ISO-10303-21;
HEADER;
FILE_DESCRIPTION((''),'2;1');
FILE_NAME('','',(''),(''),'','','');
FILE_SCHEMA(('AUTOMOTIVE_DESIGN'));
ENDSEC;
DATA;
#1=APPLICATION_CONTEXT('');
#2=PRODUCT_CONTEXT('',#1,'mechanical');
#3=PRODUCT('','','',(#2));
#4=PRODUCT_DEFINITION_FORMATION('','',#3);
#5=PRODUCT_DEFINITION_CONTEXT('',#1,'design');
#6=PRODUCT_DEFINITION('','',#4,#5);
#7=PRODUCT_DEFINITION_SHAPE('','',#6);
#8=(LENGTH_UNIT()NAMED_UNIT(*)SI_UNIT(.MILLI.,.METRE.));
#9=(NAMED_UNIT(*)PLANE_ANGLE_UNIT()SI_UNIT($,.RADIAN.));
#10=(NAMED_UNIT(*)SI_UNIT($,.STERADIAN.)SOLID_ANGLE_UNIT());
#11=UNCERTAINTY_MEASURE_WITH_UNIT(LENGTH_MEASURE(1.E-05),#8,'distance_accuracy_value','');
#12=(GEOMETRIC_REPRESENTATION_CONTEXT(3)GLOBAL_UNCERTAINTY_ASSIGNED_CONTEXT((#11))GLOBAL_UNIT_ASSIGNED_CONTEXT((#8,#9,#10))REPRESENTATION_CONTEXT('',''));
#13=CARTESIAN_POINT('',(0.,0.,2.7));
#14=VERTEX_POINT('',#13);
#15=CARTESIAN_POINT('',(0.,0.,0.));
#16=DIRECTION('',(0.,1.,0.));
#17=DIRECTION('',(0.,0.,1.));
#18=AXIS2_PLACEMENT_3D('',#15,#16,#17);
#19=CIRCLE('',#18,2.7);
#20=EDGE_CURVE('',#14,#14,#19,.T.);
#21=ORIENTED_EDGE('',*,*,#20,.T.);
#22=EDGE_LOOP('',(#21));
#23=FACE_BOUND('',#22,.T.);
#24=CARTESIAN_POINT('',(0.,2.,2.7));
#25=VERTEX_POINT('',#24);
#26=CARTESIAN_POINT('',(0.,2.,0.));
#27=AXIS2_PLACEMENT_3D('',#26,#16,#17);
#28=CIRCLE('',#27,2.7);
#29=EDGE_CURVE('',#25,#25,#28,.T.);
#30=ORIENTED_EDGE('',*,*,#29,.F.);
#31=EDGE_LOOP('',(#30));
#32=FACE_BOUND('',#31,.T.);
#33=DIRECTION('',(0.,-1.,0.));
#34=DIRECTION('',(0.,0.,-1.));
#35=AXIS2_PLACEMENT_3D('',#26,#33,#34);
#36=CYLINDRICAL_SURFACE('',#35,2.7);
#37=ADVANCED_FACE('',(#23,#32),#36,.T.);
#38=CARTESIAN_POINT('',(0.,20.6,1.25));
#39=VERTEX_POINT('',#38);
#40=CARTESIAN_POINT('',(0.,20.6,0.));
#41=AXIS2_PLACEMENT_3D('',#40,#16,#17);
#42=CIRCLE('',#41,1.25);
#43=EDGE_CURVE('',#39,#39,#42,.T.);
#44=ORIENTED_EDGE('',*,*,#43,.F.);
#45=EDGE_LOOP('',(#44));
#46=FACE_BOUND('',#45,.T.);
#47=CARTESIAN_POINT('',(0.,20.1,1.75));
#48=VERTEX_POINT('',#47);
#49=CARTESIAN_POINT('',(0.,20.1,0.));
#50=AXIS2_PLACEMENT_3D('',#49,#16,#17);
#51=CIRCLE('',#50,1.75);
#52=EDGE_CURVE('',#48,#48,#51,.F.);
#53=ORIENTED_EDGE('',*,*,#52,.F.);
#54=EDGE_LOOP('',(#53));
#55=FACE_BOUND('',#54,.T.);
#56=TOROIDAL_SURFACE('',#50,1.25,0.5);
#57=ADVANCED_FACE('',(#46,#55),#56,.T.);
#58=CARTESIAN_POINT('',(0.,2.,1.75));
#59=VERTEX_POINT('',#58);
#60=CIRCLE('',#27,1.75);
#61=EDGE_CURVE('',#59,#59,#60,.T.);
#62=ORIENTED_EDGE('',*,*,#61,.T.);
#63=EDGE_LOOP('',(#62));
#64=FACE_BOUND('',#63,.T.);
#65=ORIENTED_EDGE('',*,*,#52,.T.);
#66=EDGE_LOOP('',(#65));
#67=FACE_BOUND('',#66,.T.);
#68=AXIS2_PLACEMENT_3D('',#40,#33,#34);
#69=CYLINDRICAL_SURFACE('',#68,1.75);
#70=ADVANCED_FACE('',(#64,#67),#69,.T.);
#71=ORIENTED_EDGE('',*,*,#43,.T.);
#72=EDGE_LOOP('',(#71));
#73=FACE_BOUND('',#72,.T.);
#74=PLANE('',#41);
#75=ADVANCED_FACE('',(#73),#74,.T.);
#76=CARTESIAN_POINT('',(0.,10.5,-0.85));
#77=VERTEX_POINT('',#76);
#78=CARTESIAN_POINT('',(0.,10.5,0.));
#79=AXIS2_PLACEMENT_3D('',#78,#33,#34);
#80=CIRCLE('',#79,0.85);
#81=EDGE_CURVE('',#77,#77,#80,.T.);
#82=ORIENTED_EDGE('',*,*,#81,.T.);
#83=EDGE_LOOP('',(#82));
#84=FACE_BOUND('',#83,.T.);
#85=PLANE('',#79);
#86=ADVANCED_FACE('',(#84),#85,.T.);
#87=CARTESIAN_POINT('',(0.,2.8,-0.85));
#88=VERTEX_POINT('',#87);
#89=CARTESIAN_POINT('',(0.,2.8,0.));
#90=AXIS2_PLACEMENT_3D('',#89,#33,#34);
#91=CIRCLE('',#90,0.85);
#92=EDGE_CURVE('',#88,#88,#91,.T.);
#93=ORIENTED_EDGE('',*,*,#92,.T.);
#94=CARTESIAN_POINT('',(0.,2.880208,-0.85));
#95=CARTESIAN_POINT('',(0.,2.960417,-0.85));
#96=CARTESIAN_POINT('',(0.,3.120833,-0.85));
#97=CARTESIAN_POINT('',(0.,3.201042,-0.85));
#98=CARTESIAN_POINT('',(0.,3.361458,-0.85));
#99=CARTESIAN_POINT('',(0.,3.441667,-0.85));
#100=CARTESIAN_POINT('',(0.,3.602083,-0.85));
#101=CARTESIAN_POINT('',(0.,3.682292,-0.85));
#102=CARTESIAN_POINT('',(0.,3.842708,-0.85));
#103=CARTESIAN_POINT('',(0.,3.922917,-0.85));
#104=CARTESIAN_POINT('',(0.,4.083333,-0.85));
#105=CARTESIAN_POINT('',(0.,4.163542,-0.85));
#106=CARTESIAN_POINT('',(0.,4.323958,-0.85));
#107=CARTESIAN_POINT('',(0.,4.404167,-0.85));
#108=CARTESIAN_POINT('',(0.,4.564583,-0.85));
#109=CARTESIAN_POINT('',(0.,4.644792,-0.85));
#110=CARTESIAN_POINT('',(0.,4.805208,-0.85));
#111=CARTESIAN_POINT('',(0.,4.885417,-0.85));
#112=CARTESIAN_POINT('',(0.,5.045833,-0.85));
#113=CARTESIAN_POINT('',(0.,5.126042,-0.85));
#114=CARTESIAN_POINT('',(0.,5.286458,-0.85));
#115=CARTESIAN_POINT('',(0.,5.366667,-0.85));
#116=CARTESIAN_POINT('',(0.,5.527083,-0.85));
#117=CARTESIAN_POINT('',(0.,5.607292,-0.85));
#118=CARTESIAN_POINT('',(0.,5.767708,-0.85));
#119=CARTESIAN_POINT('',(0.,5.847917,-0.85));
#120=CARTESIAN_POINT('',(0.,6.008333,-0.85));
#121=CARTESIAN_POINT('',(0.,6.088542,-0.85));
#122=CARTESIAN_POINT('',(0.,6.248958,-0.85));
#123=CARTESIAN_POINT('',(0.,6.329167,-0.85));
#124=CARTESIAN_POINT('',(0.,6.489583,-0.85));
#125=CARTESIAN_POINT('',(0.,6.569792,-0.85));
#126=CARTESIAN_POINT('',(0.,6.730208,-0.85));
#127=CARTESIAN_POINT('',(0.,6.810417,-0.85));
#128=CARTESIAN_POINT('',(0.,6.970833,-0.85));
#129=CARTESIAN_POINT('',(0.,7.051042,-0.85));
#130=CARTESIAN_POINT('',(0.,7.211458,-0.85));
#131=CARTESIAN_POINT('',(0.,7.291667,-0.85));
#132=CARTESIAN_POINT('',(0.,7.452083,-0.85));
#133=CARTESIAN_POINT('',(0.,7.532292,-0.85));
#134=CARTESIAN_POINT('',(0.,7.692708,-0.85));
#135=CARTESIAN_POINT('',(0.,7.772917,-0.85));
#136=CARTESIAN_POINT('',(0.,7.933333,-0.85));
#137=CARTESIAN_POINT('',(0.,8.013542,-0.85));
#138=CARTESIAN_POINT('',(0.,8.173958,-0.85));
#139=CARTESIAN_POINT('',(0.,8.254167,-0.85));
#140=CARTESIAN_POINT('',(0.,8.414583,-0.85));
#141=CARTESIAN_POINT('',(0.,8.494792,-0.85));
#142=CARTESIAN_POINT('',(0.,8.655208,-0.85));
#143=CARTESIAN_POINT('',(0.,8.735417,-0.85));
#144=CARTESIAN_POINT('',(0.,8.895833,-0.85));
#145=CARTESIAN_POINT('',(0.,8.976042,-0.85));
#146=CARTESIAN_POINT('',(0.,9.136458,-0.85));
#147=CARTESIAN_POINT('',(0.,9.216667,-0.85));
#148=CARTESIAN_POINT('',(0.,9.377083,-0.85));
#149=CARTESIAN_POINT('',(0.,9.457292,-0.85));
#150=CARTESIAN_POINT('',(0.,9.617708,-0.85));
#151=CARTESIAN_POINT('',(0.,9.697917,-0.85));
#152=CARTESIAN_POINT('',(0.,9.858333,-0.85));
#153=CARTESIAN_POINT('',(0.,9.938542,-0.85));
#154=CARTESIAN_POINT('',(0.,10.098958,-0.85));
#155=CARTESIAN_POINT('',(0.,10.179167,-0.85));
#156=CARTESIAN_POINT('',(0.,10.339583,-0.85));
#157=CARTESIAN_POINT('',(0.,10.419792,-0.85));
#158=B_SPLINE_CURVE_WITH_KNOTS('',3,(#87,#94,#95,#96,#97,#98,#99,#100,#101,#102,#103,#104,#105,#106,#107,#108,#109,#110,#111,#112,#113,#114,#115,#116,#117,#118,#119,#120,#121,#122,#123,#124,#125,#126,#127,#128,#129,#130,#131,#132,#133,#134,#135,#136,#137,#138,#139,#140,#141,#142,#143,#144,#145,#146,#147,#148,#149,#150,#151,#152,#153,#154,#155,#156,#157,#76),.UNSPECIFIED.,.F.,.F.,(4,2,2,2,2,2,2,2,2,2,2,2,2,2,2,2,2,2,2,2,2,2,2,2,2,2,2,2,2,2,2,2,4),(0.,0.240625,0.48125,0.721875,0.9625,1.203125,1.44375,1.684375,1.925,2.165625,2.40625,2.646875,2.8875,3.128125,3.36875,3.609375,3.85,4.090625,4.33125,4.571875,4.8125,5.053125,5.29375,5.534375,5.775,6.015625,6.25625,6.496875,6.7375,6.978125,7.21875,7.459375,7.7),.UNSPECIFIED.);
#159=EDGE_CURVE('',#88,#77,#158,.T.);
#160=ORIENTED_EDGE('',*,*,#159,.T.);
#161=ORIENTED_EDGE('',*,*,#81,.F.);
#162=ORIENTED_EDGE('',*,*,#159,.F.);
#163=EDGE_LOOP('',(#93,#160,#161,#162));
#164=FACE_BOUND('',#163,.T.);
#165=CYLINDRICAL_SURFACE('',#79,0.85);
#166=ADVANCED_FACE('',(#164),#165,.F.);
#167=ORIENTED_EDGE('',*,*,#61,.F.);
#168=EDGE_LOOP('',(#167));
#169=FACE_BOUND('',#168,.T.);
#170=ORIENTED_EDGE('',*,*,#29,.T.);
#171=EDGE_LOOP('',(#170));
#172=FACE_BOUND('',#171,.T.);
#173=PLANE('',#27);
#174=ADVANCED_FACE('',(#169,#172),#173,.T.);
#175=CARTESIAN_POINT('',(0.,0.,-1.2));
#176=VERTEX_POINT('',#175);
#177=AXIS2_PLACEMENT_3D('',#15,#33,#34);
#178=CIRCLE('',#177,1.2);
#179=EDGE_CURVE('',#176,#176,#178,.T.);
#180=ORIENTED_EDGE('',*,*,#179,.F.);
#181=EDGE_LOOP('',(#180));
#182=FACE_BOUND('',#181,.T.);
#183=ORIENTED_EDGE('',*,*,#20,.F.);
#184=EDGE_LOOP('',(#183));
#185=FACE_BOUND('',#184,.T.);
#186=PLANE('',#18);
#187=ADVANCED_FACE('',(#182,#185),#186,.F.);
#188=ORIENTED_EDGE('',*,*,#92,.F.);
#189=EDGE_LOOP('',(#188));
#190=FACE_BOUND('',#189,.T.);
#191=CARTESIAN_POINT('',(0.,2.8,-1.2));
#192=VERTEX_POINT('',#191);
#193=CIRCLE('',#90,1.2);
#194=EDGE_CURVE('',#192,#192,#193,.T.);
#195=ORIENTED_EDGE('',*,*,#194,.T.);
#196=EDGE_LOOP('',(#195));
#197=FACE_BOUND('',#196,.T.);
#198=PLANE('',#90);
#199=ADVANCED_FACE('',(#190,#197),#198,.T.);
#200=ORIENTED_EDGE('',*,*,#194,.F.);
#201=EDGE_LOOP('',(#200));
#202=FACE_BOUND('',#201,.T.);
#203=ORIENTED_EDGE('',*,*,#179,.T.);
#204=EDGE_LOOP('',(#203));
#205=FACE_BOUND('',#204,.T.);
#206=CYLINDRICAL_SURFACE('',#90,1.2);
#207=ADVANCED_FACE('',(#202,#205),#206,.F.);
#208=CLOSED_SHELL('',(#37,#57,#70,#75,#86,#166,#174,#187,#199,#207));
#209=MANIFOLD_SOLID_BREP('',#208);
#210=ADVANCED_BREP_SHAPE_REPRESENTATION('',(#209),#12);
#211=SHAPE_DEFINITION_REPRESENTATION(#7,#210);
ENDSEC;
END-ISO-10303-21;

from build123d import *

# Parameters (mm, degrees)
SKETCH1_R           = 2.7
BOSS_EXTRUDE1_DEPTH = 2
SKETCH3_R           = 0.95
CUT_EXTRUDE2_DEPTH  = 9.5
SKETCH2_R           = 1.75
BOSS_EXTRUDE2_DEPTH = 18.6
SKETCH7_R           = 1.2
CUT_EXTRUDE4_DEPTH  = 2.8
FILLET2_R           = 0.5
SKETCH8_R           = 0.85
CUT_EXTRUDE5_DEPTH  = 10.5


with BuildPart() as part:
    # Sketch1 → Boss-Extrude1 (new body)
    with BuildSketch(Plane(origin=(0, 0, 0), x_dir=(1, 0, 0), z_dir=(0, 1, 0))):
        with Locations(Location((0, 0, 0), (0, 0, 270))):
            Circle(SKETCH1_R)
    extrude(amount=BOSS_EXTRUDE1_DEPTH)

    # Sketch3 → Cut-Extrude2 (cut)
    with BuildSketch(Plane.XZ):
        with Locations(Location((0, 0, 0), (0, 0, 270))):
            Circle(SKETCH3_R)
    extrude(amount=-CUT_EXTRUDE2_DEPTH, mode=Mode.SUBTRACT)

    # Sketch2 → Boss-Extrude2 (add)
    with BuildSketch(Plane(origin=(0, 2, 0), x_dir=(1, 0, 0), z_dir=(0, 1, 0))):
        with Locations(Location((0, 0, 0), (0, 0, 270))):
            Circle(SKETCH2_R)
    extrude(amount=BOSS_EXTRUDE2_DEPTH)

    # Sketch7 → Cut-Extrude4 (cut)
    with BuildSketch(Plane.XZ):
        with Locations(Location((0, 0, 0), (0, 0, 270))):
            Circle(SKETCH7_R)
    extrude(amount=-CUT_EXTRUDE4_DEPTH, mode=Mode.SUBTRACT)

    # Fillet2
    fillet2_edges = [part.edges().sort_by_distance(p)[0] for p in [
        (0, 20.6, -1.75),
    ]]
    fillet(fillet2_edges, radius=FILLET2_R)

    # Sketch8 → Cut-Extrude5 (cut)
    with BuildSketch(Plane.XZ):
        with Locations(Location((0, 0, 0), (0, 0, 270))):
            Circle(SKETCH8_R)
    extrude(amount=-CUT_EXTRUDE5_DEPTH, mode=Mode.SUBTRACT)


solid = part.part
